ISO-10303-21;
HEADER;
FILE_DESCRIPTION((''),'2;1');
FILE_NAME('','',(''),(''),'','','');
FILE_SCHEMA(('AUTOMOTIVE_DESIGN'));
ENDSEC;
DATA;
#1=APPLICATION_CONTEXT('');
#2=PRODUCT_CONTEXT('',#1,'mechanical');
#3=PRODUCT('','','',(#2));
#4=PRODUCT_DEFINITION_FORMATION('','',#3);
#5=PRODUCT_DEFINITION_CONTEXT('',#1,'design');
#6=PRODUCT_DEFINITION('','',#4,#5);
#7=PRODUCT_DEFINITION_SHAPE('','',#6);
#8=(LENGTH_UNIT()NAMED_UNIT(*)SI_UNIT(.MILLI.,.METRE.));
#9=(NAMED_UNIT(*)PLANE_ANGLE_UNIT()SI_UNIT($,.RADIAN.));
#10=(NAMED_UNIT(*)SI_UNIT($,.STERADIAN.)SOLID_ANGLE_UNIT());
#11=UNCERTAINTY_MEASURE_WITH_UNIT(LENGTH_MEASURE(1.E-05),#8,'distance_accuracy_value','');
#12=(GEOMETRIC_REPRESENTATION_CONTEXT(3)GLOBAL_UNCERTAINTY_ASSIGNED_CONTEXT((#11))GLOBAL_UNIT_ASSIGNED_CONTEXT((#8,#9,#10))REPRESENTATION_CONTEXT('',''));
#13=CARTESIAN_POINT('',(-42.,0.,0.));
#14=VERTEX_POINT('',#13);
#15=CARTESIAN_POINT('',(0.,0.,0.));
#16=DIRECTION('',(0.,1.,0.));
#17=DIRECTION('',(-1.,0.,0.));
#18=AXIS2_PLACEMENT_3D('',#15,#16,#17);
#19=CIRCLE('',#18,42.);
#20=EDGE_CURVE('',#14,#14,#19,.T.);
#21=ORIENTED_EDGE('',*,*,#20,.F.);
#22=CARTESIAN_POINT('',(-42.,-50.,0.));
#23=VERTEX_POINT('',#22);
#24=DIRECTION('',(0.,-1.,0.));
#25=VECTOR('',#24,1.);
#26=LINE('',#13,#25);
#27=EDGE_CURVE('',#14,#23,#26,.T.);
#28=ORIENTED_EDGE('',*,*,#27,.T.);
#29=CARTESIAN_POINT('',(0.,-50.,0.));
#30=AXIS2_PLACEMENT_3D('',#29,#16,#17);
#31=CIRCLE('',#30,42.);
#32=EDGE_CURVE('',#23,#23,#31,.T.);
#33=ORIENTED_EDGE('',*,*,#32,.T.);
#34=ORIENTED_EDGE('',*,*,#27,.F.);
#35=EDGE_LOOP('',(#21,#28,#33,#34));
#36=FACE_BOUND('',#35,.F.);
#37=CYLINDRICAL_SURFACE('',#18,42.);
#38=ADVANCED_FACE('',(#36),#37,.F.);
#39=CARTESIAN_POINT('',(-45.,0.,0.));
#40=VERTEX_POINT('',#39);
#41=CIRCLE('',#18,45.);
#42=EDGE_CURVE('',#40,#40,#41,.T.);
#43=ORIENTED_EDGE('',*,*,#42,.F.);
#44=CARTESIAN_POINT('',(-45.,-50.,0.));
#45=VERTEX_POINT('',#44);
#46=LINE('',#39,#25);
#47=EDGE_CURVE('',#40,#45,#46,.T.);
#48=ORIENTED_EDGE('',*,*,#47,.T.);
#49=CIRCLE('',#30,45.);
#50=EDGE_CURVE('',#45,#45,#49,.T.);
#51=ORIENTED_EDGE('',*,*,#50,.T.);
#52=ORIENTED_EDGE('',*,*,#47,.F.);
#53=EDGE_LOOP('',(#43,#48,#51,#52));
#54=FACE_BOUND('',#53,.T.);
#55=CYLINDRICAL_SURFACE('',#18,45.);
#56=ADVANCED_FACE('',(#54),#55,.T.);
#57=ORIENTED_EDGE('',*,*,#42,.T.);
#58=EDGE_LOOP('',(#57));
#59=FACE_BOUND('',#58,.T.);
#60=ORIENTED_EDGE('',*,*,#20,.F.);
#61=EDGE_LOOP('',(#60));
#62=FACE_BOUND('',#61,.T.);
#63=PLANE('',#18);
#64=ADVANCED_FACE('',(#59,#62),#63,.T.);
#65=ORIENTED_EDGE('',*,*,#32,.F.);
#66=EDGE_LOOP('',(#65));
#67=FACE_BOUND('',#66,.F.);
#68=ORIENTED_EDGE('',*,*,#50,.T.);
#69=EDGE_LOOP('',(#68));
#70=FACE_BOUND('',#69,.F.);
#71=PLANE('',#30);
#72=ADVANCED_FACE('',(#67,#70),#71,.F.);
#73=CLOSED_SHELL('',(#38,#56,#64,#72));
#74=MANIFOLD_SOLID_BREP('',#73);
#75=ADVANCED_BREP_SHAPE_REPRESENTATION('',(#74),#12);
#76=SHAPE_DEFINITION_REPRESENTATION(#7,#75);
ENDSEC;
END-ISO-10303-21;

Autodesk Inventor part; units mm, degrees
ref_plane "YZ Plane" through (0, 0, 0) normal (1, 0, 0) x (0, 1, 0)
ref_plane "XZ Plane" through (0, 0, 0) normal (0, 1, 0) x (-1, 0, 0)
ref_plane "XY Plane" through (0, 0, 0) normal (0, 0, 1) x (1, 0, 0)
sketch "Sketch1" plane through (0, 0, 0) normal (0, 1, 0) x (-1, 0, 0)
  circle A0 centre (0, 0) radius 45
  circle A1 centre (0, 0) radius 42
  dimension "d0" = 90
  dimension "d1" = 3
extrude "Extrusion1" add sketch "Sketch1" against normal blind 50
properties part number "PNS 1612 FDS tube 2"
